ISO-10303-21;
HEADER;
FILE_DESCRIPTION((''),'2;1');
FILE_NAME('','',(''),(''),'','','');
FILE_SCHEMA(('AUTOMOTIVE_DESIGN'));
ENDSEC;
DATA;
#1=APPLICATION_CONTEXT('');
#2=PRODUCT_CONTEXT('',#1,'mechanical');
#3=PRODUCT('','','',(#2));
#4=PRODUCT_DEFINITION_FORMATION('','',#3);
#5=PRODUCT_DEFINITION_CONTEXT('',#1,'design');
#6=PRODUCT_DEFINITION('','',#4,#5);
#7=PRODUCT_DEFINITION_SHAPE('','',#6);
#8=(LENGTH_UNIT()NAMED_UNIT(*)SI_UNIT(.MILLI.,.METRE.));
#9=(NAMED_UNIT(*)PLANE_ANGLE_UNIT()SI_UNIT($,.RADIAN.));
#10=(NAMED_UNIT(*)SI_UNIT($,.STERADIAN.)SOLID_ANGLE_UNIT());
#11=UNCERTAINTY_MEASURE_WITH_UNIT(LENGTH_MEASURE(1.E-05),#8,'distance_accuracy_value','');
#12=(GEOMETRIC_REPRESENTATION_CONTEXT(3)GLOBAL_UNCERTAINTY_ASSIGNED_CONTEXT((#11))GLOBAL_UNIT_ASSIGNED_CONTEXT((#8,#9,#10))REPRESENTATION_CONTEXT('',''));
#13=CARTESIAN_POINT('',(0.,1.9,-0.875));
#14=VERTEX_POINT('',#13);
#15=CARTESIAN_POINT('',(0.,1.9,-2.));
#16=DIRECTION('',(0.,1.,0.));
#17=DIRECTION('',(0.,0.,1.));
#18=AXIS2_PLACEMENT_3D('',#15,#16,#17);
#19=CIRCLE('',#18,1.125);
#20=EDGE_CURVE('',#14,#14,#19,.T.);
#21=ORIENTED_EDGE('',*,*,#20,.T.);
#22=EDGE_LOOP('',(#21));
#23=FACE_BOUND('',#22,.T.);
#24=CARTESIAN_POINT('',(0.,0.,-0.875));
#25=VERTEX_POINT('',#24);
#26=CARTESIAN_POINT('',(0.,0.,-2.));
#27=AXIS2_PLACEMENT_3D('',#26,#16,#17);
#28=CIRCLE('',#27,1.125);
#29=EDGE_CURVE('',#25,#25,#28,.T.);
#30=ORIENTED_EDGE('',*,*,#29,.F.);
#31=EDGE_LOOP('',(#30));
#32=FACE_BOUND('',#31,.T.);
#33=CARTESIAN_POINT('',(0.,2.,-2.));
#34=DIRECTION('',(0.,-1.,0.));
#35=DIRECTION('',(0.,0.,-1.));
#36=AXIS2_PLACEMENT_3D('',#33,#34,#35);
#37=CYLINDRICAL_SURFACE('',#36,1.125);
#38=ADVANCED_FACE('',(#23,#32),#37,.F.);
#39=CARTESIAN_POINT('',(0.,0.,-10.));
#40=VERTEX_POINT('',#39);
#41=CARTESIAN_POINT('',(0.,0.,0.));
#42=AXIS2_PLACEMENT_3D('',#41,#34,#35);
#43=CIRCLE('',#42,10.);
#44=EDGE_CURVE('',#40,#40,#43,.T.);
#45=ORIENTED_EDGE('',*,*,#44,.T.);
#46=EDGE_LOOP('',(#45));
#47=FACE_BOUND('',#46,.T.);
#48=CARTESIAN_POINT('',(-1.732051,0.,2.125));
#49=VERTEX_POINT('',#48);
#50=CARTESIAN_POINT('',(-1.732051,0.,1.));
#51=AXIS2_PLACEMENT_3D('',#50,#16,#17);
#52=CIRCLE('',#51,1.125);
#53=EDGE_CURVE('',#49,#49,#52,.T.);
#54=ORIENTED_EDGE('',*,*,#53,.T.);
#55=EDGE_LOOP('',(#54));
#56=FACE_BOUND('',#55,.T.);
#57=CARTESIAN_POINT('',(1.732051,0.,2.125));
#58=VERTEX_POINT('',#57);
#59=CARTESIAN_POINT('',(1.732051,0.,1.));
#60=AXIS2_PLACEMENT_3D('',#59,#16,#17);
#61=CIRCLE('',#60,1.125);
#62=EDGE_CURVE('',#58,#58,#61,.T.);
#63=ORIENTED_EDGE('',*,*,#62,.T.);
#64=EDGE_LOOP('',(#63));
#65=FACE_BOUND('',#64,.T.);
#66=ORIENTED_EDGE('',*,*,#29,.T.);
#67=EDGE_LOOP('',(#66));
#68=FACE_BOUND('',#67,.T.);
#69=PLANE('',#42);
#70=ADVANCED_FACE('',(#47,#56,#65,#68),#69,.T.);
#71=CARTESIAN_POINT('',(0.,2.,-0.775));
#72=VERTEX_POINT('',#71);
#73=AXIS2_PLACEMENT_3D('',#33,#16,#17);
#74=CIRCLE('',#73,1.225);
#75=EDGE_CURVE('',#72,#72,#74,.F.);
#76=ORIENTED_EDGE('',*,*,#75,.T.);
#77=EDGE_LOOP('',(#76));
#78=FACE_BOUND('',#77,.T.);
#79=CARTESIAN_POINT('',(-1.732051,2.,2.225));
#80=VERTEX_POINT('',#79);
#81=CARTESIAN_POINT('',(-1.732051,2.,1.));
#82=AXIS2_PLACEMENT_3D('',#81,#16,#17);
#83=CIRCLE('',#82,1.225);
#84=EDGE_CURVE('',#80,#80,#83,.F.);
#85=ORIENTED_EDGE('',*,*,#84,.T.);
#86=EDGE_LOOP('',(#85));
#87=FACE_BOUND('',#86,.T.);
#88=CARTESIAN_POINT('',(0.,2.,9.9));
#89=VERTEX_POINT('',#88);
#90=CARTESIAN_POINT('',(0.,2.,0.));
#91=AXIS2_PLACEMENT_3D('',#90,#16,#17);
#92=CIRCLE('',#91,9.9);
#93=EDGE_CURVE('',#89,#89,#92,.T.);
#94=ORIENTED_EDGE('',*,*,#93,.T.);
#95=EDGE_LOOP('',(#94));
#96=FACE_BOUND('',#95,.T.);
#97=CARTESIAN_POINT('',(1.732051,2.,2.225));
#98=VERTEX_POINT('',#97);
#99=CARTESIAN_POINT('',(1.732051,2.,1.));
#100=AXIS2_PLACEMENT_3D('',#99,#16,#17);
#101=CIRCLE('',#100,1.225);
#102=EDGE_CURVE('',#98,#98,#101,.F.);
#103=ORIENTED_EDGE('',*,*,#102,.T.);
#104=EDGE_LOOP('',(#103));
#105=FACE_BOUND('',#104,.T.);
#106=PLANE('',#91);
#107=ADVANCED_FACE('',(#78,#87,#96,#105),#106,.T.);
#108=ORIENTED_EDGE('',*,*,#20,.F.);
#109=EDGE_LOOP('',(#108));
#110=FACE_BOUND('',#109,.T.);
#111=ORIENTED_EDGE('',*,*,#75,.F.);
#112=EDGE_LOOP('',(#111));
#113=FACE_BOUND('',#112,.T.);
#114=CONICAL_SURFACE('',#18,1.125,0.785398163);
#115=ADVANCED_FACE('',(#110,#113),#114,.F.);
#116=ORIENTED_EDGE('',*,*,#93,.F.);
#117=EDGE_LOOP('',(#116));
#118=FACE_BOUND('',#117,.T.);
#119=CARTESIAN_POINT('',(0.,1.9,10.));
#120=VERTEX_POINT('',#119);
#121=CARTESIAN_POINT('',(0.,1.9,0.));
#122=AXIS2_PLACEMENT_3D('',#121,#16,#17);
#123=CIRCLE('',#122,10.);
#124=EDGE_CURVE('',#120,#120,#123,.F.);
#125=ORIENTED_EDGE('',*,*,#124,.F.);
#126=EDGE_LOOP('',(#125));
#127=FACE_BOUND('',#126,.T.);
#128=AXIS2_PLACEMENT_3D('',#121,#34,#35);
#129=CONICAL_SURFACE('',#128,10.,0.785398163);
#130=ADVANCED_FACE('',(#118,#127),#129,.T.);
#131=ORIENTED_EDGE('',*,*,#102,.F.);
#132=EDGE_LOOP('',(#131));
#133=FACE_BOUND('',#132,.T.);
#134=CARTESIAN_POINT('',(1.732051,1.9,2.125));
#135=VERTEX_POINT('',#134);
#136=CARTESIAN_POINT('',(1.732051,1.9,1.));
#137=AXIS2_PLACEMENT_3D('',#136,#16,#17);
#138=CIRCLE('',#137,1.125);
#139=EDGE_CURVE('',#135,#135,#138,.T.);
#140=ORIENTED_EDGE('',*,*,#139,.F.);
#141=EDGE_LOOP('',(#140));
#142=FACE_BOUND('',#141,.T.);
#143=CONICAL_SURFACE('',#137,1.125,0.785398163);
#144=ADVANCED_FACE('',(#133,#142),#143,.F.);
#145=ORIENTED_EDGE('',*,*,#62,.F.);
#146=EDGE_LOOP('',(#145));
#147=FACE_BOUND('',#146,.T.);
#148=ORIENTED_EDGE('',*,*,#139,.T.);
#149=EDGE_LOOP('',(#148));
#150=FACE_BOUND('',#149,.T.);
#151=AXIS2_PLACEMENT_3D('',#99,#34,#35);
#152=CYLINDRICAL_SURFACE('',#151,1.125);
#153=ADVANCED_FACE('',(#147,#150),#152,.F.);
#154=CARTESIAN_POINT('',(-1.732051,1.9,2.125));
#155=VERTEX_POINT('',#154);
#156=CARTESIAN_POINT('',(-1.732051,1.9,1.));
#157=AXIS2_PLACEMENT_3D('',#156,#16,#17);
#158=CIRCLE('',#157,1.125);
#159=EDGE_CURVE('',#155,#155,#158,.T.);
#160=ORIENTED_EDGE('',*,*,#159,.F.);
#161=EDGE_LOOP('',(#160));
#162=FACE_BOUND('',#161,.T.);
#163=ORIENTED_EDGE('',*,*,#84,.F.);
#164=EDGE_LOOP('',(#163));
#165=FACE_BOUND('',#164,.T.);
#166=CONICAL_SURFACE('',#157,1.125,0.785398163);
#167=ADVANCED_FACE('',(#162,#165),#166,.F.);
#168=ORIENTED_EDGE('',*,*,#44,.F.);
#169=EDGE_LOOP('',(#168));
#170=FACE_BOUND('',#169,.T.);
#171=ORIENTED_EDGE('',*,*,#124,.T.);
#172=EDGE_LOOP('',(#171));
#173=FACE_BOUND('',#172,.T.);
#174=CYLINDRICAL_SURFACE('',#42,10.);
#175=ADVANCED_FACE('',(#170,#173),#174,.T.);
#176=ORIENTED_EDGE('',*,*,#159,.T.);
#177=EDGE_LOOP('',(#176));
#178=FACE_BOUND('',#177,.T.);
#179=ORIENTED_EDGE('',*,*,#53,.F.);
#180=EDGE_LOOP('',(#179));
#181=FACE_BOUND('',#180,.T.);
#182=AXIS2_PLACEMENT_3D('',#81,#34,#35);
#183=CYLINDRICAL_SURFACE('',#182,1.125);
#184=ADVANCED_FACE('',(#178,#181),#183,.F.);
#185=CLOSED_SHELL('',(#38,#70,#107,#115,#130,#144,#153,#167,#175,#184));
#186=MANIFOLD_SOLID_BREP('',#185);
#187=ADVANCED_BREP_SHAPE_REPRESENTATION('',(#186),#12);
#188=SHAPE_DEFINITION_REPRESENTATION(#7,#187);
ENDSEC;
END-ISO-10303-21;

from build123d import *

# Parameters (mm, degrees)
SKETCH1_W          = 10
SKETCH1_H          = 2
SKETCH2_R          = 1.125
CUT_EXTRUDE1_DEPTH = 15.282856857
CHAMFER2_SIZE      = 0.1


with BuildPart() as part:
    # Sketch1 → Revolve1 (revolve)
    with BuildSketch(Plane.XY, mode=Mode.PRIVATE) as revolve1_sk:
        with Locations((5, 1)):
            Rectangle(SKETCH1_W, SKETCH1_H)
    revolve(revolve1_sk.sketch.rotate(Axis((0, 0, 0), (0, 1, 0)), 90), axis=Axis((0, 0, 0), (0, 1, 0)))

    # Sketch2 → Cut-Extrude1 (cut, through all)
    with BuildSketch(Plane(origin=(0, 0, 0), x_dir=(1, 0, 0), z_dir=(0, 1, 0))):
        with Locations(Location((-1.732050808, -1, 0), (0, 0, 270))):
            Circle(SKETCH2_R)
        with Locations(Location((1.732050808, -1, 0), (0, 0, 270))):
            Circle(SKETCH2_R)
        with Locations(Location((0, 2, 0), (0, 0, 270))):
            Circle(SKETCH2_R)
    extrude(amount=CUT_EXTRUDE1_DEPTH, mode=Mode.SUBTRACT)

    # Chamfer2
    chamfer2_edges = [part.edges().sort_by_distance(p)[0] for p in [
        (0, 2, -3.125),
        (-1.732050808, 2, -0.125),
        (1.732050808, 2, -0.125),
        (0, 2, 10),
    ]]
    chamfer(chamfer2_edges, length=CHAMFER2_SIZE)


solid = part.part
